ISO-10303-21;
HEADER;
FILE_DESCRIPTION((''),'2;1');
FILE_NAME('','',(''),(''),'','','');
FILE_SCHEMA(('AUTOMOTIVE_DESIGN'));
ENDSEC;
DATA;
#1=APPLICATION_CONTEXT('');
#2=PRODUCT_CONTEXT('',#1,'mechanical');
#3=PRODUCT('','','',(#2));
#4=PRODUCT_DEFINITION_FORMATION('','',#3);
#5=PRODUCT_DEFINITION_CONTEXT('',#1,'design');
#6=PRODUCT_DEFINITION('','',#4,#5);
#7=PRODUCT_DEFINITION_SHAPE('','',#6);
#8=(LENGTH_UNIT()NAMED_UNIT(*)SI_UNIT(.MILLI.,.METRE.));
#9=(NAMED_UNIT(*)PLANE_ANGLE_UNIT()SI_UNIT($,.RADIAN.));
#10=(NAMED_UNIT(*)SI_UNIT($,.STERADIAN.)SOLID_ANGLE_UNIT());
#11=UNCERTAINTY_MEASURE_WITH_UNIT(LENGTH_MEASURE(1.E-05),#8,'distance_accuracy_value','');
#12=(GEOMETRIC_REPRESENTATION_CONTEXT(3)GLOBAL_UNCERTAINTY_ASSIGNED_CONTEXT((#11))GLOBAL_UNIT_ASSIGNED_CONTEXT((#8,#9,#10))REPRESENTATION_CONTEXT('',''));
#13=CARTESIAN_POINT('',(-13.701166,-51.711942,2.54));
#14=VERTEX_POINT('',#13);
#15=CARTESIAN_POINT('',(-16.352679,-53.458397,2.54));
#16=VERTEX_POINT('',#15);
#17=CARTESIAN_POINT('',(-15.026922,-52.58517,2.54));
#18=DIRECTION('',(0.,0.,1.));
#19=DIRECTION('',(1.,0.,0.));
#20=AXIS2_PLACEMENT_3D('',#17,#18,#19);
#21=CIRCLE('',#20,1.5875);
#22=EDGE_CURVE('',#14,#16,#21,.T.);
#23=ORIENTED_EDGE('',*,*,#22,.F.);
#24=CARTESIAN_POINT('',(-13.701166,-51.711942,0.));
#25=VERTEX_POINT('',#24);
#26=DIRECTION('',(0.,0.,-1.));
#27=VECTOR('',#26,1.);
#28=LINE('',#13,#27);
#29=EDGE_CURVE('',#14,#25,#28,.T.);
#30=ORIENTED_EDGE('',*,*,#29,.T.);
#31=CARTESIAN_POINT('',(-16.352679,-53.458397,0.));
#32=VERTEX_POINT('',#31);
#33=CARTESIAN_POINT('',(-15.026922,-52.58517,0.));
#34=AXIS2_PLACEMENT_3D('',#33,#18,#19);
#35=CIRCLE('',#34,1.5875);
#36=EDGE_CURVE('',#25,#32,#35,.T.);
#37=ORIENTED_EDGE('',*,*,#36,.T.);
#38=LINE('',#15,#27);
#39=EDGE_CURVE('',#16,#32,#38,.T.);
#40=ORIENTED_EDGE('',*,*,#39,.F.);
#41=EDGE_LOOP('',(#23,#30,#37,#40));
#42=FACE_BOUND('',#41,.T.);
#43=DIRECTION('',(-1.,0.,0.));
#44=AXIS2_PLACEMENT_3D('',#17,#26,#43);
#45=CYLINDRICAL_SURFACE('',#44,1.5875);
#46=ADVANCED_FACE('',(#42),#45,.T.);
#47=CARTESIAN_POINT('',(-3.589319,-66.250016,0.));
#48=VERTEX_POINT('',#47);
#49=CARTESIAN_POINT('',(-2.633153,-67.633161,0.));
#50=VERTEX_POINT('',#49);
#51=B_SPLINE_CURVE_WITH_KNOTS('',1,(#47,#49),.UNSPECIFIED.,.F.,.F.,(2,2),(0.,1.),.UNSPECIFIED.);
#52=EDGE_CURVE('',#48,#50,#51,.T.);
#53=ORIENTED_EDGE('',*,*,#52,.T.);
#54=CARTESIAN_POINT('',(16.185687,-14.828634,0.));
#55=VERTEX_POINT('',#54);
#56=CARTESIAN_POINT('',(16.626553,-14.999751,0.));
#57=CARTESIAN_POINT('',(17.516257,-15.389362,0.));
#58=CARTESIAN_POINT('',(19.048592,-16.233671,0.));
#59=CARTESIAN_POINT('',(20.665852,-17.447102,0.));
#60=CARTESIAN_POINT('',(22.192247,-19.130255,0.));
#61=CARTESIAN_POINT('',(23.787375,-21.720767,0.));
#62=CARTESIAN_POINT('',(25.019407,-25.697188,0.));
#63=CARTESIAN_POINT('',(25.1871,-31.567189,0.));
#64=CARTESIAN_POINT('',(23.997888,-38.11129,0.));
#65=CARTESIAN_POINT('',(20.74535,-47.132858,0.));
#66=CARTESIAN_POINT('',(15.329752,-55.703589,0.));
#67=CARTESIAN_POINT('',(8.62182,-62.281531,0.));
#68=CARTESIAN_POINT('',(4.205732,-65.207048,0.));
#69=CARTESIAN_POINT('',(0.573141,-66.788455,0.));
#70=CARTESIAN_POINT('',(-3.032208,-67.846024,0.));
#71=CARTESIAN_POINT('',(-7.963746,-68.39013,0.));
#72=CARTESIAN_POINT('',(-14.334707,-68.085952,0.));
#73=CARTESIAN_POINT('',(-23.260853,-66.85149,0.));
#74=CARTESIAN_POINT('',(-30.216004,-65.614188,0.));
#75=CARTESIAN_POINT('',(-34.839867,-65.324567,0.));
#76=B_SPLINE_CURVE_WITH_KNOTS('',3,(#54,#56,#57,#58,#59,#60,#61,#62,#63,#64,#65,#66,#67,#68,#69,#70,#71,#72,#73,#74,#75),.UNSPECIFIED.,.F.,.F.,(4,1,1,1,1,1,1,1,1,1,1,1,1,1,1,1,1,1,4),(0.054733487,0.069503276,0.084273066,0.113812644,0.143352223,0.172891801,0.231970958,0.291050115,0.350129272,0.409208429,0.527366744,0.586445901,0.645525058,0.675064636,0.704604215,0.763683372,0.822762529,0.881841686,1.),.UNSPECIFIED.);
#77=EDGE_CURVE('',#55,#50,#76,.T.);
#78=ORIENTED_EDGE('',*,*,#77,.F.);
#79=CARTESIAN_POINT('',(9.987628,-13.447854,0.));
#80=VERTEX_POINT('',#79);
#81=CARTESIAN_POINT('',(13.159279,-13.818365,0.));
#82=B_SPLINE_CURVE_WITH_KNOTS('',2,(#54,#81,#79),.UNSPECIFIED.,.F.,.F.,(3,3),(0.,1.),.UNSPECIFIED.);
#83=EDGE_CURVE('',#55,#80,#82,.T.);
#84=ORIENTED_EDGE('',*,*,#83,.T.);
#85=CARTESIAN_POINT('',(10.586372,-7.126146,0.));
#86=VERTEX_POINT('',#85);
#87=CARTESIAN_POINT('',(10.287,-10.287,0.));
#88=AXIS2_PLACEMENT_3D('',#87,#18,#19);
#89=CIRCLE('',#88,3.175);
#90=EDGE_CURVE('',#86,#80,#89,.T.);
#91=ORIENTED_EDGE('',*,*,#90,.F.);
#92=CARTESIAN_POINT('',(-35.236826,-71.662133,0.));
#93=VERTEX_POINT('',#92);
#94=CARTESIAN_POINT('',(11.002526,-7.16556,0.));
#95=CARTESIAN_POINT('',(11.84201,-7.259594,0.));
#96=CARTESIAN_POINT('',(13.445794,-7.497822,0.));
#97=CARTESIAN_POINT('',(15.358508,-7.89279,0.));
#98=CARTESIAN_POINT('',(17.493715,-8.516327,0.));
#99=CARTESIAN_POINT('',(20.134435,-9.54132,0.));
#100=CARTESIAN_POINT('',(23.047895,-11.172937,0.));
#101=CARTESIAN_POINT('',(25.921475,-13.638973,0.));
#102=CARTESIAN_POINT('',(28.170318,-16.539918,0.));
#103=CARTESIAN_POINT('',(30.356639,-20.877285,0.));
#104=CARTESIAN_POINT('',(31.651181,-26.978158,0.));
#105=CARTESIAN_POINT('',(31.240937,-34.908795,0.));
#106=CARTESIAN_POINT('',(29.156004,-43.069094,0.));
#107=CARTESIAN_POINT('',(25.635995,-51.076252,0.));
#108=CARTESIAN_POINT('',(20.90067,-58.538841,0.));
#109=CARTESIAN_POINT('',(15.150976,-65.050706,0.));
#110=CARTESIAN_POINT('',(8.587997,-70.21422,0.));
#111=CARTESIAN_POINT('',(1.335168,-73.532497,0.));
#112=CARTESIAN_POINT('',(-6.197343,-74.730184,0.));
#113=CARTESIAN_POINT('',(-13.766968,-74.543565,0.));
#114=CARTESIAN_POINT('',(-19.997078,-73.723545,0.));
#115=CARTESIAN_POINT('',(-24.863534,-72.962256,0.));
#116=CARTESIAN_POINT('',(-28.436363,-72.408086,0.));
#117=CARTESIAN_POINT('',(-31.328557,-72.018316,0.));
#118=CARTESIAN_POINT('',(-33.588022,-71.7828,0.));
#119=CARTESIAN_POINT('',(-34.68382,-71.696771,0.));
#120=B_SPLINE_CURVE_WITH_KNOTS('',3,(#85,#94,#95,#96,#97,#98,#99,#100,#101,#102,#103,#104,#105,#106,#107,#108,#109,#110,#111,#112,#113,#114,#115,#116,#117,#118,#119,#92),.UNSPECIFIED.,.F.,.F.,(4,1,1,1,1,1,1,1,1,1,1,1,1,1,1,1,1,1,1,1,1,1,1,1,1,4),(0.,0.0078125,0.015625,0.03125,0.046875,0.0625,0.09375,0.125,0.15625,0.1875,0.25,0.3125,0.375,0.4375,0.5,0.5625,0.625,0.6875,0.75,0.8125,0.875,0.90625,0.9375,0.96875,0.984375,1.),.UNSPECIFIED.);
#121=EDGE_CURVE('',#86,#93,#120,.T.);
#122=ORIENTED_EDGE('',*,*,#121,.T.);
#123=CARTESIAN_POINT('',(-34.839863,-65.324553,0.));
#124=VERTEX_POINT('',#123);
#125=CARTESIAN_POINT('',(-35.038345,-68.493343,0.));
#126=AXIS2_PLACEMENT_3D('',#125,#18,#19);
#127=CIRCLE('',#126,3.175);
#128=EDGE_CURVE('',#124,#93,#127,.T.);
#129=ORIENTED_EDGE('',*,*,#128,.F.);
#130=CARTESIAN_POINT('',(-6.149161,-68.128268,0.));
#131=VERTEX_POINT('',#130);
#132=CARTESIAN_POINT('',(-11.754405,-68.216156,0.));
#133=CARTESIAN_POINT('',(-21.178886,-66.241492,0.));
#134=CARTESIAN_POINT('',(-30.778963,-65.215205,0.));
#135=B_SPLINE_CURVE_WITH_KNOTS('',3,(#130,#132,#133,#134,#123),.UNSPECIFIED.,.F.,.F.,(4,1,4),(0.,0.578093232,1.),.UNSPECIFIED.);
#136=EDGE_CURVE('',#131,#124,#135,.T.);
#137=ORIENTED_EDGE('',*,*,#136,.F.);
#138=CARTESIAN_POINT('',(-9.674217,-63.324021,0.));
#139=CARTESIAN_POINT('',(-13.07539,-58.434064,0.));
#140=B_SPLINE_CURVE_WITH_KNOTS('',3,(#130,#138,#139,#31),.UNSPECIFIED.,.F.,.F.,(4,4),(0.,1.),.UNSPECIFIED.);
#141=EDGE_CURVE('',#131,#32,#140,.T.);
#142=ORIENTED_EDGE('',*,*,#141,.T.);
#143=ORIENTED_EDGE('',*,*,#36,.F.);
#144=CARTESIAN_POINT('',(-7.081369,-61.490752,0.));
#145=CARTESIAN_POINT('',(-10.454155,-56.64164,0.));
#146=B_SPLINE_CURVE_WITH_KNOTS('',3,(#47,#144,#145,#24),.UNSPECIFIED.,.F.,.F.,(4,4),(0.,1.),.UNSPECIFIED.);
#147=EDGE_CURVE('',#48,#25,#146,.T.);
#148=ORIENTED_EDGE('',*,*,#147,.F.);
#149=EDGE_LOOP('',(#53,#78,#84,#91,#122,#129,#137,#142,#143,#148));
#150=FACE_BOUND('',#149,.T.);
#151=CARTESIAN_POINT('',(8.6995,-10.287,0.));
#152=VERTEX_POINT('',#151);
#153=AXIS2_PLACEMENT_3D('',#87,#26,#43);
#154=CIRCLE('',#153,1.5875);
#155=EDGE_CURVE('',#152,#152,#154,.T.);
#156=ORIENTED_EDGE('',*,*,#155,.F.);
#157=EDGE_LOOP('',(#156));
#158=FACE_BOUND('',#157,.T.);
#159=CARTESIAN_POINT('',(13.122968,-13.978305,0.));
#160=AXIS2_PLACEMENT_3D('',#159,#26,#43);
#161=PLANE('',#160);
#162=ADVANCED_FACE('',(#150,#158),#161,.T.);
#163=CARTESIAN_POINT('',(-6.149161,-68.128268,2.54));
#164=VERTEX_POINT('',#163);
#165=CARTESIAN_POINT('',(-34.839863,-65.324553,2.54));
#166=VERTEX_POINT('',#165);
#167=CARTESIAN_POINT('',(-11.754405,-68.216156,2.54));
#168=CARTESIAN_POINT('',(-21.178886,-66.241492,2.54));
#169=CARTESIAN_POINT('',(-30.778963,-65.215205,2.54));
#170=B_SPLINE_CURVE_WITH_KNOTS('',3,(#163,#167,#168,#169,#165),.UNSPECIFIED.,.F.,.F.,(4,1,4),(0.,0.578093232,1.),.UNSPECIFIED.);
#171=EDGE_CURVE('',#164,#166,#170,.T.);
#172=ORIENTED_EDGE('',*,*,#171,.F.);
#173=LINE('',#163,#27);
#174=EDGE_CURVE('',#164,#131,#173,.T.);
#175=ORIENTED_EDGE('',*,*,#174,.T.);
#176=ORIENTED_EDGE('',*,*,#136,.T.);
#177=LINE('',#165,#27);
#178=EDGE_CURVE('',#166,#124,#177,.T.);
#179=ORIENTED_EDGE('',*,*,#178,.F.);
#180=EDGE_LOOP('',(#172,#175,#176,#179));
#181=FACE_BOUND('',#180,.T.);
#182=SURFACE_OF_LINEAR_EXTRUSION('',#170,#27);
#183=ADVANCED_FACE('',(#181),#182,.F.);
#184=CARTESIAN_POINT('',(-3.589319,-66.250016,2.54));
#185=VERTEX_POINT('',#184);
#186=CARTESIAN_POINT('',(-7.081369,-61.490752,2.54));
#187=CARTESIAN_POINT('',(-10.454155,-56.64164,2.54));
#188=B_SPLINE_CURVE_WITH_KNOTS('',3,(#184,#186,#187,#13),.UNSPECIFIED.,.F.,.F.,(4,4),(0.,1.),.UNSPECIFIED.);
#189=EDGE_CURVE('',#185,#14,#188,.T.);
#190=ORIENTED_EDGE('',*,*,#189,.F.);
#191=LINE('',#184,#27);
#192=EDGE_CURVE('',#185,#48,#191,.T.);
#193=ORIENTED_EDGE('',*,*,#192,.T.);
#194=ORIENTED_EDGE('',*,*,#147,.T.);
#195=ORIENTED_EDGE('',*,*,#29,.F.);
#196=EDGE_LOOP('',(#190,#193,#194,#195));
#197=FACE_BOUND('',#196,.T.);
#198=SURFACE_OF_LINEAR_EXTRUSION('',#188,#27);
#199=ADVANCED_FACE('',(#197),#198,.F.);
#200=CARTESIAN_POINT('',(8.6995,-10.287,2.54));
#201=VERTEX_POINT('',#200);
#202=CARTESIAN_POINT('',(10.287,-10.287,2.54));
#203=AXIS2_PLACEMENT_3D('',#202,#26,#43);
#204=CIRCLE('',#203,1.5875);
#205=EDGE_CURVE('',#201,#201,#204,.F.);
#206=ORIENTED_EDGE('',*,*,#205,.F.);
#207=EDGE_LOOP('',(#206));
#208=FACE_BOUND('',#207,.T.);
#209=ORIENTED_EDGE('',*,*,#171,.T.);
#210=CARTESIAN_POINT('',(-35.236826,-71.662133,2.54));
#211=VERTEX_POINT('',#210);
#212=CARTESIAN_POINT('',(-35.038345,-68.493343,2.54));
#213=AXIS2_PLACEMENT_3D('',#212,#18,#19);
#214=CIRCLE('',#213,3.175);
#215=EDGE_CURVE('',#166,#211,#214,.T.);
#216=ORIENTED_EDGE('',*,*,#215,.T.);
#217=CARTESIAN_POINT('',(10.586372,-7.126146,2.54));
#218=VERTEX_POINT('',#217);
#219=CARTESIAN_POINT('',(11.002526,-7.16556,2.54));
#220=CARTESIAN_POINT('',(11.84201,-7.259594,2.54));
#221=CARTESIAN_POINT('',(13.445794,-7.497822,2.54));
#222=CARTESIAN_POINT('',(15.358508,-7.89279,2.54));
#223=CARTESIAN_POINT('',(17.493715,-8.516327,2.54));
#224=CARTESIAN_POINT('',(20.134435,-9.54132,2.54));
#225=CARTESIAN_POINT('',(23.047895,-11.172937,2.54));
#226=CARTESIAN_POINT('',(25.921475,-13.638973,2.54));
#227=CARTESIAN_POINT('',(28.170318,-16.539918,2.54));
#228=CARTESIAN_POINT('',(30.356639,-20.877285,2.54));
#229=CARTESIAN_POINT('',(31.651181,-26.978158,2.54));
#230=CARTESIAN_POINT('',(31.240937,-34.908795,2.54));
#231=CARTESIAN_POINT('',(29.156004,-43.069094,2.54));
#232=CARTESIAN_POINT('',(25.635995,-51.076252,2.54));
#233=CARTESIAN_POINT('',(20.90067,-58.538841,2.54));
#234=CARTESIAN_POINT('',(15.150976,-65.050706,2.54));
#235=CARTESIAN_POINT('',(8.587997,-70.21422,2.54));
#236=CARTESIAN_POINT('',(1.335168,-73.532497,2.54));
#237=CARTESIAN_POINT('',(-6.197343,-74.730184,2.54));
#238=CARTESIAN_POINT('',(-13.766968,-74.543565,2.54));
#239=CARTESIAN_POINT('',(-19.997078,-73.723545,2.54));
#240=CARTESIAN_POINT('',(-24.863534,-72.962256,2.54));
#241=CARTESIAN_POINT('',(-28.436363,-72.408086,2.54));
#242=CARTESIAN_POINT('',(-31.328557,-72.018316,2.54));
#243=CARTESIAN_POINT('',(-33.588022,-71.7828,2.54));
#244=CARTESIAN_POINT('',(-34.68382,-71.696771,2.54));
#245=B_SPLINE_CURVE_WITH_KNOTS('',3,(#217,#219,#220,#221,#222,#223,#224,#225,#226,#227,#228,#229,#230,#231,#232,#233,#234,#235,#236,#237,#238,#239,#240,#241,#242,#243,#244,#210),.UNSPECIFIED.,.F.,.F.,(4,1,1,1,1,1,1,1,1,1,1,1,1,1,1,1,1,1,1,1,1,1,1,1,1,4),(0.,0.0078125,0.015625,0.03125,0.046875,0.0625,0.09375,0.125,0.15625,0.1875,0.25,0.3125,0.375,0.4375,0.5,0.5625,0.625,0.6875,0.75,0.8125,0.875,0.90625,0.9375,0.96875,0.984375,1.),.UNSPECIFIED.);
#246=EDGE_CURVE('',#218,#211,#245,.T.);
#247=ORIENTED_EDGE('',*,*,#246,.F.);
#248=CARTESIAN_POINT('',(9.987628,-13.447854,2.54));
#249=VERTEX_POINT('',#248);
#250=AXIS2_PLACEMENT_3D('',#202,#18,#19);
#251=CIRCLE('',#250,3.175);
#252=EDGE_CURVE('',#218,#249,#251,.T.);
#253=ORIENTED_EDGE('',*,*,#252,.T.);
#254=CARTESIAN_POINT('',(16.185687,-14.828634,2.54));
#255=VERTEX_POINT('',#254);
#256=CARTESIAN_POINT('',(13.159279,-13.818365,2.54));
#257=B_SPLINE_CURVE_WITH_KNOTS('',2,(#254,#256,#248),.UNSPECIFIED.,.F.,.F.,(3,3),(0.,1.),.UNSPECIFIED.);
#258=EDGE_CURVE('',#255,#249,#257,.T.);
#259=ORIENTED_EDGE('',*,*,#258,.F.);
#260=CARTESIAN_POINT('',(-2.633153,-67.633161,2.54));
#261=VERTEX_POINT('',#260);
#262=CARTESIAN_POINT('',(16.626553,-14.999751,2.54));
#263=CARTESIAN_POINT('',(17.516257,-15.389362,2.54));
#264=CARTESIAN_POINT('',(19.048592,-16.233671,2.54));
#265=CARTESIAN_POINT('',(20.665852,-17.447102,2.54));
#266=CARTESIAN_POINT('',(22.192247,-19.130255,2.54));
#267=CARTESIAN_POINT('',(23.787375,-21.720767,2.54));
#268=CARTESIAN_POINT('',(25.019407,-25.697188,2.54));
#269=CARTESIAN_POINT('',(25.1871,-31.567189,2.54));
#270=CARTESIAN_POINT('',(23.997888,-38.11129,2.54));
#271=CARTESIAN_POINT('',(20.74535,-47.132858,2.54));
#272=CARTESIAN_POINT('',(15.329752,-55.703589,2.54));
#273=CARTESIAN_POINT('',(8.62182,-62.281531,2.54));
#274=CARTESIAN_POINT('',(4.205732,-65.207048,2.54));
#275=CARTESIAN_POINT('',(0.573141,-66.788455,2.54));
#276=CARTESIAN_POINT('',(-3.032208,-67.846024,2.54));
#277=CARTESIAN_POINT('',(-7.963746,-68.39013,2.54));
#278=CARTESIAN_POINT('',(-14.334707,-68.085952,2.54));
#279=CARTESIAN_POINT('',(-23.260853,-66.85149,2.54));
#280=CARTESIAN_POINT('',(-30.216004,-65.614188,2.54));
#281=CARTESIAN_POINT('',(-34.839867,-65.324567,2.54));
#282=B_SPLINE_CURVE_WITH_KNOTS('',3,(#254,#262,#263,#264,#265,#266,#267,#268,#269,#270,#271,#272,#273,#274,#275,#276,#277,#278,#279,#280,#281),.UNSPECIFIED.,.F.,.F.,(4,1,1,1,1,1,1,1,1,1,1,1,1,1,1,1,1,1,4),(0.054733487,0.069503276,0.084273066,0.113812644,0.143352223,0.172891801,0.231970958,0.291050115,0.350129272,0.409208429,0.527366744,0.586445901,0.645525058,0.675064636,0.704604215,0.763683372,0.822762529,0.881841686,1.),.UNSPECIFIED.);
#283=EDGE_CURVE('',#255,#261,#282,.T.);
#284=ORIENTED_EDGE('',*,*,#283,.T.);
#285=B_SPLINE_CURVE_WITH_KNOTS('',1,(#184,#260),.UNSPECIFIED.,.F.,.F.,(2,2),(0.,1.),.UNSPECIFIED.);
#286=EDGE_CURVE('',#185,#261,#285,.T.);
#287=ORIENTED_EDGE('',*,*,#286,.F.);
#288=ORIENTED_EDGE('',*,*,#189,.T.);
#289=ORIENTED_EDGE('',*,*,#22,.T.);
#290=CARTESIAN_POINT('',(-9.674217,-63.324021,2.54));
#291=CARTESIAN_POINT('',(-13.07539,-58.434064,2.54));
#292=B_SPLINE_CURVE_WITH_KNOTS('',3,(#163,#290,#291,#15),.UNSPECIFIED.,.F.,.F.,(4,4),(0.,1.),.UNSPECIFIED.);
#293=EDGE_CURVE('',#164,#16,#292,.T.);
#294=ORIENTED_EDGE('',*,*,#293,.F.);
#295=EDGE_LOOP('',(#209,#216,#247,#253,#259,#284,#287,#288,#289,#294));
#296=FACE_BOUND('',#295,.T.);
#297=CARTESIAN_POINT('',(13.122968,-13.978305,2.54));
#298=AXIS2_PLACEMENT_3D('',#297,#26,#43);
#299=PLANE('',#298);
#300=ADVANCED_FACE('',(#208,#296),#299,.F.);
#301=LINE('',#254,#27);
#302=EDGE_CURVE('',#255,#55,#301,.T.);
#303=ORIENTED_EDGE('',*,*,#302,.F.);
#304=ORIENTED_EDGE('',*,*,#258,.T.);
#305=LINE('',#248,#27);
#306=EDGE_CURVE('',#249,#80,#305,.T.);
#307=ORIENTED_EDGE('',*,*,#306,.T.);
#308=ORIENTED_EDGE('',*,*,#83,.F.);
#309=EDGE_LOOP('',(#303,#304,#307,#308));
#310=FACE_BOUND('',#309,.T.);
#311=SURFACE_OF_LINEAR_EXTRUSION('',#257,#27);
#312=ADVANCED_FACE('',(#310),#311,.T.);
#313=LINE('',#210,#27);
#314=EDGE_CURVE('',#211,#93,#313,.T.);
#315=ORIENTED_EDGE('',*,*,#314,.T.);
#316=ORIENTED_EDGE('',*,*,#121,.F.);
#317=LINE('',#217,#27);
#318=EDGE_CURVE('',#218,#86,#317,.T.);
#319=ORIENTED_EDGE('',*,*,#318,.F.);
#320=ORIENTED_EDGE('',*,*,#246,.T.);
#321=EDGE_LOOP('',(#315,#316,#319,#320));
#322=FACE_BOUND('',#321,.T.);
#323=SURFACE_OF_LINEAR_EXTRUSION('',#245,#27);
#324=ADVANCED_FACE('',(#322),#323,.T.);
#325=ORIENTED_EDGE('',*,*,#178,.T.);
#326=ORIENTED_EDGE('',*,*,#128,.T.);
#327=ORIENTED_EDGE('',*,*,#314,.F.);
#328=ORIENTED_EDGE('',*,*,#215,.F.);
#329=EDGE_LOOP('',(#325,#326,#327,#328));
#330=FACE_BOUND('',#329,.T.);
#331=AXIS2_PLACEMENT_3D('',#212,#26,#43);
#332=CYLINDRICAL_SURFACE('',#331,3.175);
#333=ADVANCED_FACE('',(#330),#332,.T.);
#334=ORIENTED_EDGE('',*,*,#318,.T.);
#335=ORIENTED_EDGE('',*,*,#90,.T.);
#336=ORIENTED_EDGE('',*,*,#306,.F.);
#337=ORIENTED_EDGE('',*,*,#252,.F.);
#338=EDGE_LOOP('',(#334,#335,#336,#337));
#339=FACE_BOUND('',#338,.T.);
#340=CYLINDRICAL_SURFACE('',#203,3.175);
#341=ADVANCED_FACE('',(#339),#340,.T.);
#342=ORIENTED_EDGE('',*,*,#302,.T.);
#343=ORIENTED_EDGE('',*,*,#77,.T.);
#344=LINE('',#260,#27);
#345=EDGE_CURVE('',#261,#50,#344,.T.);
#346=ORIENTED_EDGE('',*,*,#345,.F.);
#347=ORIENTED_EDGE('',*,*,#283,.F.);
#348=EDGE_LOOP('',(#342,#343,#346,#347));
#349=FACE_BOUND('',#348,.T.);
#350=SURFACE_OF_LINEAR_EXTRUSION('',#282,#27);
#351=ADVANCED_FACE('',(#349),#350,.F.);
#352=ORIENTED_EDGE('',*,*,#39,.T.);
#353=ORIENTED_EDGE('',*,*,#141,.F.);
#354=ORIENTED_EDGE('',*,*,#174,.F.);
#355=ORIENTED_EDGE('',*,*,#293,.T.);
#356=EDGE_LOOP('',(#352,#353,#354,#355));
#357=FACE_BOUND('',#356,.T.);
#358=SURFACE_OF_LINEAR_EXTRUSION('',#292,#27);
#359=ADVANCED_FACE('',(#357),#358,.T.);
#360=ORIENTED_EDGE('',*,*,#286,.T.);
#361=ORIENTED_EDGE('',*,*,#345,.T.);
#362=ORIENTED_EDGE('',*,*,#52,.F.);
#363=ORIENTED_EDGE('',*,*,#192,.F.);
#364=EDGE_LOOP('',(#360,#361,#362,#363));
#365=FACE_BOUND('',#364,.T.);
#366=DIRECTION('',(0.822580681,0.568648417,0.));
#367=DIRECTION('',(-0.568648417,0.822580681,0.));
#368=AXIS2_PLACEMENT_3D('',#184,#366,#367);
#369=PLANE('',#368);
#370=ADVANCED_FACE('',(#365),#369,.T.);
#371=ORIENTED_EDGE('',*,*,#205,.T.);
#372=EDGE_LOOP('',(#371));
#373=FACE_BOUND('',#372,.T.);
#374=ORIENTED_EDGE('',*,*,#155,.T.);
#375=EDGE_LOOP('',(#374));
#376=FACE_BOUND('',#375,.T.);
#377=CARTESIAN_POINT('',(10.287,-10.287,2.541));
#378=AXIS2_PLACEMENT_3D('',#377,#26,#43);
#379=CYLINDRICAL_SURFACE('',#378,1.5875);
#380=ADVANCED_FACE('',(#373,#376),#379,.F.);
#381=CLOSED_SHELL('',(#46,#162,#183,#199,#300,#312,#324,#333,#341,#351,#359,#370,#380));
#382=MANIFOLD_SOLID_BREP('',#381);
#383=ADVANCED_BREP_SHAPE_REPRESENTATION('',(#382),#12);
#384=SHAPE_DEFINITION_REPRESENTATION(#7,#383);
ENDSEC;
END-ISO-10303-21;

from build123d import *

# Parameters (mm, degrees)
BOSS_EXTRUDE1_DEPTH = 2.54
CUT_EXTRUDE1_REACH  = 85.854
SKETCH3_R           = 1.5875


with BuildPart() as part:
    # Sketch1 → Boss-Extrude1 (new body)
    with BuildSketch(Plane.XY):
        with BuildLine():
            ThreePointArc((-34.83986326, -65.324552852), (-38.2071347, -68.294861429), (-35.236826123, -71.66213287))
            add(Edge.make_bspline(
                [(10.586372466, -7.126145507), (11.002525682, -7.165560423), (11.842009581, -7.259594031), (13.445793666, -7.497821941), (15.358508428, -7.892790201), (17.493715434, -8.516327348), (20.134435017, -9.541319585), (23.047894952, -11.172937086), (25.921475474, -13.638972903), (28.170317734, -16.539917581), (30.356639499, -20.877284542), (31.65118113, -26.978157887), (31.240937045, -34.908794595), (29.156003941, -43.069094129), (25.635995414, -51.07625165), (20.90067039, -58.538840574), (15.150976409, -65.0507057), (8.587997117, -70.214219903), (1.335167823, -73.532497291), (-6.197343227, -74.730184138), (-13.766967954, -74.543564506), (-19.99707814, -73.723544541), (-24.863533758, -72.962255978), (-28.436362961, -72.408085673), (-31.328557034, -72.018315593), (-33.588022169, -71.782799811), (-34.683820018, -71.696771152), (-35.236826123, -71.66213287)],
                knots=[0, 0, 0, 0, 0.0078125, 0.015625, 0.03125, 0.046875, 0.0625, 0.09375, 0.125, 0.15625, 0.1875, 0.25, 0.3125, 0.375, 0.4375, 0.5, 0.5625, 0.625, 0.6875, 0.75, 0.8125, 0.875, 0.90625, 0.9375, 0.96875, 0.984375, 1, 1, 1, 1], degree=3))
            ThreePointArc((10.586372466, -7.126145507), (7.126145507, -9.987627534), (9.987627534, -13.447854493))
            add(Edge.make_bspline(
                [(16.185687447, -14.828634458), (13.159279331, -13.818364694), (9.987627534, -13.447854493)],
                knots=[0, 0, 0, 1, 1, 1], degree=2))
            add(Edge.make_bspline(
                [(16.185687447, -14.828634458), (16.626552591, -14.999751236), (17.516256805, -15.389362386), (19.048590925, -16.233671216), (20.665851366, -17.447101789), (22.192245289, -19.130255303), (23.78737336, -21.720766981), (25.019404327, -25.697186568), (25.187096787, -31.56718704), (23.997883937, -38.111286688), (20.745345962, -47.132853017), (15.329747873, -55.703582215), (8.621815884, -62.281522038), (4.20572917, -65.207038027), (0.573138185, -66.788444018), (-1.381931567, -67.361931374), (-2.474374912, -67.600151096), (-2.633155696, -67.633149977)],
                knots=[0.054733487, 0.054733487, 0.054733487, 0.054733487, 0.069503276, 0.084273066, 0.113812644, 0.143352223, 0.172891801, 0.231970958, 0.291050115, 0.350129272, 0.409208429, 0.527366744, 0.586445901, 0.645525058, 0.675064636, 0.704604215, 0.709598679, 0.709598679, 0.709598679, 0.709598679], degree=3))
            Line((-2.633155696, -67.633149977), (-3.589318796, -66.250016051))
            add(Edge.make_bspline(
                [(-3.589318796, -66.250016051), (-7.081368607, -61.490752258), (-10.454154618, -56.641640427), (-13.701165647, -51.711942352)],
                knots=[0, 0, 0, 0, 1, 1, 1, 1], degree=3))
            ThreePointArc((-13.701165647, -51.711942352), (-15.900149416, -51.259412923), (-16.352678845, -53.458396692))
            add(Edge.make_bspline(
                [(-6.149161319, -68.128268232), (-9.674217346, -63.32402075), (-13.075389854, -58.43406357), (-16.352678845, -53.458396692)],
                knots=[0, 0, 0, 0, 1, 1, 1, 1], degree=3))
            add(Edge.make_bspline(
                [(-6.149161319, -68.128268232), (-11.754405025, -68.216156013), (-21.178886313, -66.241491877), (-30.778963239, -65.215205279), (-34.83986326, -65.324552852)],
                knots=[0, 0, 0, 0, 0.578093232, 1, 1, 1, 1], degree=3))
        make_face()
    extrude(amount=BOSS_EXTRUDE1_DEPTH)

    # Sketch3 → Cut-Extrude1 (cut, up to next)
    with BuildSketch(Plane(origin=(0, 0, 0), x_dir=(-1, 0, 0), z_dir=(0, 0, -1)), mode=Mode.PRIVATE) as cut_extrude1_sk1:
        with Locations((-10.287, -10.287)):
            Circle(SKETCH3_R)
    cut_extrude1_tool1 = extrude(cut_extrude1_sk1.sketch, amount=-CUT_EXTRUDE1_REACH, mode=Mode.PRIVATE) & part.part
    add(cut_extrude1_tool1.solids().sort_by_distance((10.287, -10.287, 0))[0], mode=Mode.SUBTRACT)


solid = part.part
